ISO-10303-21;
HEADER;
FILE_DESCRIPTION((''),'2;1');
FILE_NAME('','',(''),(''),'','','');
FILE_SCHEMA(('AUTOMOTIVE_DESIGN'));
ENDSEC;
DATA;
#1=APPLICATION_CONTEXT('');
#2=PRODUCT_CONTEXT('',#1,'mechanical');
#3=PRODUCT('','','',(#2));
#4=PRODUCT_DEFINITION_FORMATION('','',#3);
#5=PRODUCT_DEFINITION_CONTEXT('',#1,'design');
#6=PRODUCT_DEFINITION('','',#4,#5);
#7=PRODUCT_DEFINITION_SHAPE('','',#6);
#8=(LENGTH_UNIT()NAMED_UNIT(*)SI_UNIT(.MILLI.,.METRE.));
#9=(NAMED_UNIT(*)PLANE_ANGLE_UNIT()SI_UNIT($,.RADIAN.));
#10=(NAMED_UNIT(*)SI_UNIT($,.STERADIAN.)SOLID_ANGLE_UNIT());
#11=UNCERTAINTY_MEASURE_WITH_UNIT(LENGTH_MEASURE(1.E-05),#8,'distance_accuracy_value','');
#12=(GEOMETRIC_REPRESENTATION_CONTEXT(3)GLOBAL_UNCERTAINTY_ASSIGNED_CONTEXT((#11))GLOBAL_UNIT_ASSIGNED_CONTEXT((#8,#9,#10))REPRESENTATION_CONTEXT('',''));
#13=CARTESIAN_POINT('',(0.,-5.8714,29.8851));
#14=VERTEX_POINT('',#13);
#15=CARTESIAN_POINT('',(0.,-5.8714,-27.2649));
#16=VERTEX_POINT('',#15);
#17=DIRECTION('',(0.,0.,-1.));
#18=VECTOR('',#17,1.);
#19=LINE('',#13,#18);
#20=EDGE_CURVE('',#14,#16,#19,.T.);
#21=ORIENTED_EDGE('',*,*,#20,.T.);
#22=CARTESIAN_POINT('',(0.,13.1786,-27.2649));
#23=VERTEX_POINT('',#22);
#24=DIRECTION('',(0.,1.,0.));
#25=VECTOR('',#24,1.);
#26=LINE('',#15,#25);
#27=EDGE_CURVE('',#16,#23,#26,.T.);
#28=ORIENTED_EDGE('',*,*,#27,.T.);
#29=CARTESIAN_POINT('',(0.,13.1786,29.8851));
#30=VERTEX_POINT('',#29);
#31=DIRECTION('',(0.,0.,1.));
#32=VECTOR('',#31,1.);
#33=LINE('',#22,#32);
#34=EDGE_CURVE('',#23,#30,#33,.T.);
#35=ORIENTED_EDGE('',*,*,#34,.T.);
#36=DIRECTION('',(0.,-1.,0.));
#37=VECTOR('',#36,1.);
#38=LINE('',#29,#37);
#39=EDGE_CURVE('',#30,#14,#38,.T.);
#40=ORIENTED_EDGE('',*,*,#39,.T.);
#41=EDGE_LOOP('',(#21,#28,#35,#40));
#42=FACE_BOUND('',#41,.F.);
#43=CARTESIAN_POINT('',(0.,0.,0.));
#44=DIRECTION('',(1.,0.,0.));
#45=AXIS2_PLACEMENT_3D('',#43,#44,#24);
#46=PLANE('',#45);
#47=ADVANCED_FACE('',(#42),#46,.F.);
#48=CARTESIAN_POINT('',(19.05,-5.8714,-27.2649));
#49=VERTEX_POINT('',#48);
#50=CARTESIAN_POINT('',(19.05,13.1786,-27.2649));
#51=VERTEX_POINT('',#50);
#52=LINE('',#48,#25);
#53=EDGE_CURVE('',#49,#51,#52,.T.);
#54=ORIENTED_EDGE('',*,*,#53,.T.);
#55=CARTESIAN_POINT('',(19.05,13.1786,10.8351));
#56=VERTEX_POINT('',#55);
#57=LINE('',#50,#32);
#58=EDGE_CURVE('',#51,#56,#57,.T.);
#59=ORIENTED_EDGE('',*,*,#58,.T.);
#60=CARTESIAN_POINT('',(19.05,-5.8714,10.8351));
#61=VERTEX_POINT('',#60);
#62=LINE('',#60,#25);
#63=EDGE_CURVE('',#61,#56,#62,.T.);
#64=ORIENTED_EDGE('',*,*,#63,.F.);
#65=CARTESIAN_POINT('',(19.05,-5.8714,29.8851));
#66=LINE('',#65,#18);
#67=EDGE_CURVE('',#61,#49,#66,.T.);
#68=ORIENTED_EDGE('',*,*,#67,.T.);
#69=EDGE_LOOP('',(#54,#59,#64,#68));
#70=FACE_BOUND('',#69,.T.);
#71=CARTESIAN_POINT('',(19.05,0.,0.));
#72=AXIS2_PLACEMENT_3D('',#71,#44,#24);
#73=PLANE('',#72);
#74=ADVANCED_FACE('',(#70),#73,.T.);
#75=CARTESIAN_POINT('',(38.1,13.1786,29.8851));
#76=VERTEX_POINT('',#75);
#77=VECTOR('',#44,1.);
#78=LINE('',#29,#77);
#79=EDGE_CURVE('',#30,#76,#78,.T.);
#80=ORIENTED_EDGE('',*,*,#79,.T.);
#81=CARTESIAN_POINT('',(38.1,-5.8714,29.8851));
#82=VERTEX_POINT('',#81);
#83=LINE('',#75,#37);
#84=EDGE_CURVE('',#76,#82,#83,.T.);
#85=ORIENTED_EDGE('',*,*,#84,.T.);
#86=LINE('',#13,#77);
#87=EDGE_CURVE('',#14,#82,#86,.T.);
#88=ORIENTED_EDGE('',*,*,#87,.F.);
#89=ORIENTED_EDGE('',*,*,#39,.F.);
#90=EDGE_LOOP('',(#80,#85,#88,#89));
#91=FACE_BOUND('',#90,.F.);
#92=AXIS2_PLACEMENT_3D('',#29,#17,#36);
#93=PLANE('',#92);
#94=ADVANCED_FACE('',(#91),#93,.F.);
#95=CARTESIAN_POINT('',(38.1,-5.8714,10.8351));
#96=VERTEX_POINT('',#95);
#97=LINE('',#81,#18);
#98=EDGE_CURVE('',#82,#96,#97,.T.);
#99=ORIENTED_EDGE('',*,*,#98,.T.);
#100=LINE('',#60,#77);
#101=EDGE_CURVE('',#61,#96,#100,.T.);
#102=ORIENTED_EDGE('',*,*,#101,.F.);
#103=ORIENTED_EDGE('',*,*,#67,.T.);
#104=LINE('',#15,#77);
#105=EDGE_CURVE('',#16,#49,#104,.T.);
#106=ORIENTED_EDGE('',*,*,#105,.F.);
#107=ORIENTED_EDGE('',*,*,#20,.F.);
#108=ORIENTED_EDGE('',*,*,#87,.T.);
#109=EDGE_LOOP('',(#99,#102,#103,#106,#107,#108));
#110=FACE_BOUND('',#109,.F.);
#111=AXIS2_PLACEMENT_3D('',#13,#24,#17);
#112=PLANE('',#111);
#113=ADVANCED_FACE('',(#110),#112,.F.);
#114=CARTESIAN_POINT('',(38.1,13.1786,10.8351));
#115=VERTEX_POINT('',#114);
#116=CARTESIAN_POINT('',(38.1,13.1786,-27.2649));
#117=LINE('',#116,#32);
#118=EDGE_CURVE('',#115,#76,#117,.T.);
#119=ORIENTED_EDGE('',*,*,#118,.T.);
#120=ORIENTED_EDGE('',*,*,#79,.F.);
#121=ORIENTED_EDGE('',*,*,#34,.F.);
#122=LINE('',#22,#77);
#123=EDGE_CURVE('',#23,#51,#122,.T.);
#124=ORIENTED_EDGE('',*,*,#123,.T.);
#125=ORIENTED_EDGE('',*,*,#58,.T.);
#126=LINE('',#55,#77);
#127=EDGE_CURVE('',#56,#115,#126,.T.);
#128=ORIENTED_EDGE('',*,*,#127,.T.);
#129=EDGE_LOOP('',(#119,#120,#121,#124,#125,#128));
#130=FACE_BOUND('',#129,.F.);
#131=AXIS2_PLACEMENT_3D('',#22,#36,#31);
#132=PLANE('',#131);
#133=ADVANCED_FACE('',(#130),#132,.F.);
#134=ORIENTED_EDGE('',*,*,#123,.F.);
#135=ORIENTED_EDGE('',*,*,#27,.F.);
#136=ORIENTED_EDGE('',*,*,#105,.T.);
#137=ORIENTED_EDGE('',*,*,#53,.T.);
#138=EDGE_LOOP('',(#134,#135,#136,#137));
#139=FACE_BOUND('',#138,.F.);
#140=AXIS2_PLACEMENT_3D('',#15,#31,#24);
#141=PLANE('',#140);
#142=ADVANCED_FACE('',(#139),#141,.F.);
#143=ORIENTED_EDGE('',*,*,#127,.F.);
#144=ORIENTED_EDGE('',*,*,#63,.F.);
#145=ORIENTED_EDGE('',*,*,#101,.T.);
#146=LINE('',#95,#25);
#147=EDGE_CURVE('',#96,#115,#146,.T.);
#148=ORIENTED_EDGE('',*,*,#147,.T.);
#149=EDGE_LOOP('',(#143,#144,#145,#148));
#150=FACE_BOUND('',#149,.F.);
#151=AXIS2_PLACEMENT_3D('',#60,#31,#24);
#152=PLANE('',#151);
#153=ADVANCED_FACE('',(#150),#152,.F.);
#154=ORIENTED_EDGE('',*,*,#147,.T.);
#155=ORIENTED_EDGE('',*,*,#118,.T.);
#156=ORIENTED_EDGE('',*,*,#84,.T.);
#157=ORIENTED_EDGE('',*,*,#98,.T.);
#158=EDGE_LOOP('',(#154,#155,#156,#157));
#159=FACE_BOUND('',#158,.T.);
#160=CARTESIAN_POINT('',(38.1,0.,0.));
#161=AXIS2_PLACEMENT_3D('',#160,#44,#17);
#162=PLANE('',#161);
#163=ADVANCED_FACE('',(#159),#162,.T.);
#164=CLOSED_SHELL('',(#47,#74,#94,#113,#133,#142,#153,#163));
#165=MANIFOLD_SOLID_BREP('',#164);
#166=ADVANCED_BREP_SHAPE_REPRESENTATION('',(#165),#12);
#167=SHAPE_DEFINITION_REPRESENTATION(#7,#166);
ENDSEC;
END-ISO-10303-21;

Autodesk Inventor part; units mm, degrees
ref_plane "YZ Plane" through (0, 0, 0) normal (1, 0, 0) x (0, 1, 0)
ref_plane "XZ Plane" through (0, 0, 0) normal (0, 1, 0) x (-1, 0, 0)
ref_plane "XY Plane" through (0, 0, 0) normal (0, 0, 1) x (1, 0, 0)
sketch "Sketch1" plane through (0, 0, 0) normal (1, 0, 0) x (0, 1, 0)
  line L0 (13.1786, 29.8851) -> (-5.8714, 29.8851)
  line L1 (-5.8714, 29.8851) -> (-5.8714, -27.2649)
  line L2 (-5.8714, -27.2649) -> (13.1786, -27.2649)
  line L3 (13.1786, -27.2649) -> (13.1786, 29.8851)
  point P0 (0, 0)
  dimension "d0" = 19.05
  dimension "d1" = 57.15
extrude "Extrusion1" add sketch "Sketch1" along normal blind 19.05
sketch "Sketch2" plane through (19.05, 0, 0) normal (1, 0, 0) x (0, 0, -1)
  line L0 (-29.8851, 13.1786) -> (-29.8851, -5.8714) projected
  line L1 (27.2649, 13.1786) -> (-29.8851, 13.1786) projected
  line L2 (-29.8851, -5.8714) -> (-10.8351, -5.8714)
  line L3 (-10.8351, -5.8714) -> (-10.8351, 13.1786)
  line L4 (-10.8351, 13.1786) -> (-29.8851, 13.1786)
  line L5 (-29.8851, 13.1786) -> (-29.8851, -5.8714)
  point P0 (0, 0)
  dimension "d4" = 19.05
extrude "Extrusion2" add sketch "Sketch2" along normal blind 19.05
properties part number "Red part"
